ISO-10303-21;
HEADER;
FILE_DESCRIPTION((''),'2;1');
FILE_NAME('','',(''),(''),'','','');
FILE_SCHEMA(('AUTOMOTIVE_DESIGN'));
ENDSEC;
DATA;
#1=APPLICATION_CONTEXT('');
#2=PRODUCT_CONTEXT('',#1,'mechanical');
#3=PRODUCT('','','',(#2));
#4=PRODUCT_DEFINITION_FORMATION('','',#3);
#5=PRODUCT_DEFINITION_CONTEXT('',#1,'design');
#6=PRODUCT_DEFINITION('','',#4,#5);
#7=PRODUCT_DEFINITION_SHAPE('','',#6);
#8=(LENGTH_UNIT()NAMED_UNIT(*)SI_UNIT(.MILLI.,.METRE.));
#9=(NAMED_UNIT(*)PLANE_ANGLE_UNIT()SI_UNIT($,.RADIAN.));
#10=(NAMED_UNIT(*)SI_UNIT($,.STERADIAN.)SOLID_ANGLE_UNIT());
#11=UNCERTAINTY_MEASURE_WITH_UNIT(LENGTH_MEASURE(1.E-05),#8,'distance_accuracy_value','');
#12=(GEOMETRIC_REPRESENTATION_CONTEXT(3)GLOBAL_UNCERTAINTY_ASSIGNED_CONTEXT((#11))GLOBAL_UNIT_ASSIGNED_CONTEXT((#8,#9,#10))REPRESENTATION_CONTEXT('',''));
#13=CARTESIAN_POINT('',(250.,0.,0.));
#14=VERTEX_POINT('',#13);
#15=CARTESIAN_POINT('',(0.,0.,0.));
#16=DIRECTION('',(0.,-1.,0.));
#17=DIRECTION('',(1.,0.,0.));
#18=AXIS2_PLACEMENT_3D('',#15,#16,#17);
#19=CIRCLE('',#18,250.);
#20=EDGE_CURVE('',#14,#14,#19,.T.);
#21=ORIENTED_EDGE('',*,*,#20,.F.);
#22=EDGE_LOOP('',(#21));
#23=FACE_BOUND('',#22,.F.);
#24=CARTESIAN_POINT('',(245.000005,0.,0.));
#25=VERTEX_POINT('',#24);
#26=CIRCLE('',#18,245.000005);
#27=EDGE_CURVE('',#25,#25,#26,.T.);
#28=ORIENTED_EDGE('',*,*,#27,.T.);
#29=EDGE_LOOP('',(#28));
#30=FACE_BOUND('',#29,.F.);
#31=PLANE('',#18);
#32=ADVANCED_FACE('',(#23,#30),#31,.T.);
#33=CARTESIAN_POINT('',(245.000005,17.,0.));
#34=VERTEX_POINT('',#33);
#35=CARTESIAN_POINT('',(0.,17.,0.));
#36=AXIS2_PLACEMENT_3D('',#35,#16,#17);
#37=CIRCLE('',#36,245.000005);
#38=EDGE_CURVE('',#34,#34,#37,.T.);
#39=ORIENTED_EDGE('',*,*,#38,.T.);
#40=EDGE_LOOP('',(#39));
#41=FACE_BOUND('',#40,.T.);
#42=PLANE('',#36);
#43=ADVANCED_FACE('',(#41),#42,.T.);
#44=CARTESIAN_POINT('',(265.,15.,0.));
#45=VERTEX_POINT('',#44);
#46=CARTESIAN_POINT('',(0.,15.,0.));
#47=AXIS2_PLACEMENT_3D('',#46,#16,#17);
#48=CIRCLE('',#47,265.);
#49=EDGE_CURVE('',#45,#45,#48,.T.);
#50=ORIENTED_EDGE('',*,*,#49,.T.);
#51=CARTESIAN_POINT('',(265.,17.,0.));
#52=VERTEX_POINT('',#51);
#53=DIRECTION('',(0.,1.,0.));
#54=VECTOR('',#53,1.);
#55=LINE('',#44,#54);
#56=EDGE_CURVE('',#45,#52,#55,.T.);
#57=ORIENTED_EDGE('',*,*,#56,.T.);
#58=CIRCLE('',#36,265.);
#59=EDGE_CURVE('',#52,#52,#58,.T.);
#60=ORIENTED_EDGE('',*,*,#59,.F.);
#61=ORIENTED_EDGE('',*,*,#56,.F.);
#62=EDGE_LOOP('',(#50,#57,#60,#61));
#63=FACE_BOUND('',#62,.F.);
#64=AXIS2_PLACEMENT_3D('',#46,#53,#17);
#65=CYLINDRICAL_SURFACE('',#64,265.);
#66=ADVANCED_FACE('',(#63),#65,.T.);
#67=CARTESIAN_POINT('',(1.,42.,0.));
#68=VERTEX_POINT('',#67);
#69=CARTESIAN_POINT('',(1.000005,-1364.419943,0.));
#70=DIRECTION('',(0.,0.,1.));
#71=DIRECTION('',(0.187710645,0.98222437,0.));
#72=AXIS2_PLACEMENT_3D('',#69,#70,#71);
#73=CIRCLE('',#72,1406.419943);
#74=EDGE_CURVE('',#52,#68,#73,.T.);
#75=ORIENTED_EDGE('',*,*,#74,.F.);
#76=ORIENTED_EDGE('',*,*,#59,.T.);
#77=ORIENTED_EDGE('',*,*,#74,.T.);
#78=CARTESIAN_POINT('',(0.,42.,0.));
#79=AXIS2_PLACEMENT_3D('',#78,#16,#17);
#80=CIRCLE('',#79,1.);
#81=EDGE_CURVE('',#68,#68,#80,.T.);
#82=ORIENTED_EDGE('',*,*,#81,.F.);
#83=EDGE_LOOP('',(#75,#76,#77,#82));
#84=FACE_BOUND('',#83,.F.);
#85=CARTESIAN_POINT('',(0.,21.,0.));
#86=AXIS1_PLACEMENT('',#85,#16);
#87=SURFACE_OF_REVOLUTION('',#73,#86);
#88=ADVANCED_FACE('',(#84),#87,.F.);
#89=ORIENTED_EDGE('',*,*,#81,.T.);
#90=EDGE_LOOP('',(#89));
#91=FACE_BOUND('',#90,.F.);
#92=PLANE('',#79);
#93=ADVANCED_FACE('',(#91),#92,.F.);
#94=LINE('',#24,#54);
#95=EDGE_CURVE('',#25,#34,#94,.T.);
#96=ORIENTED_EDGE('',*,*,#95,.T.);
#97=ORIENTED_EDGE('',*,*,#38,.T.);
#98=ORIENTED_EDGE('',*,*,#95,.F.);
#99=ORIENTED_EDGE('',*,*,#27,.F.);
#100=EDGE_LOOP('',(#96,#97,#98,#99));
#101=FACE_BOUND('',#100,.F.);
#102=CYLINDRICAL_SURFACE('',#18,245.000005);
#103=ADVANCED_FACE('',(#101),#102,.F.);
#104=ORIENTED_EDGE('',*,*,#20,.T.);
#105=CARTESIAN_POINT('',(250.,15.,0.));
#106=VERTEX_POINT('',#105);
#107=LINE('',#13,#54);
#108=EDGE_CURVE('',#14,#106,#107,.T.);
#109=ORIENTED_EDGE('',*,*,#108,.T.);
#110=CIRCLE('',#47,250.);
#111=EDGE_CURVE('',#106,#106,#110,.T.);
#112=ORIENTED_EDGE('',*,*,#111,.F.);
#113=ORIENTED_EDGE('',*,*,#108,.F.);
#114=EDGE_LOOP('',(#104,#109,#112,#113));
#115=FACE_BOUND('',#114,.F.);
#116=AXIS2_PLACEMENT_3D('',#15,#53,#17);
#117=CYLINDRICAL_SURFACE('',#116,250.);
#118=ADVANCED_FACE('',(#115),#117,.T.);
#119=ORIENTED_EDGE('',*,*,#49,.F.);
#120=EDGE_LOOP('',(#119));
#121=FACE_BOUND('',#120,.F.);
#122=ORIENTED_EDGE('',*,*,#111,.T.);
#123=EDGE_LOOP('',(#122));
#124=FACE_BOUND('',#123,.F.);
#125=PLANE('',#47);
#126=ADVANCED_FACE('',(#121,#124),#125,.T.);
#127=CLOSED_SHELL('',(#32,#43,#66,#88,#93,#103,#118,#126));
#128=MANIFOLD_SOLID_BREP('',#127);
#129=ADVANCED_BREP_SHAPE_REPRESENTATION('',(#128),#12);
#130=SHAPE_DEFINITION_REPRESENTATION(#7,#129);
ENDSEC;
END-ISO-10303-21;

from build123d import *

# Parameters (mm, degrees)
F2_R     = 245.000005
F3_DEPTH = 17


with BuildPart() as f1:
    # F0 (on Top) → F1 (revolve)
    with BuildSketch(Plane.XY):
        with BuildLine():
            Line((0, 42), (0, 0))
            Line((0, 0), (250, 0))
            Line((250, 0), (250, 15))
            Line((250, 15), (265, 15))
            Line((265, 15), (265, 17))
            ThreePointArc((265, 17), (133.590535, 35.736051), (1, 42))
            Line((1, 42), (0, 42))
        make_face()
    revolve(axis=Axis((0, 21, 0), (0, -1, 0)))

    # F2 (on face) → F3 (cut)
    with BuildSketch(Plane.XZ):
        Circle(F2_R)
    extrude(amount=-F3_DEPTH, mode=Mode.SUBTRACT)


solid = f1.part
